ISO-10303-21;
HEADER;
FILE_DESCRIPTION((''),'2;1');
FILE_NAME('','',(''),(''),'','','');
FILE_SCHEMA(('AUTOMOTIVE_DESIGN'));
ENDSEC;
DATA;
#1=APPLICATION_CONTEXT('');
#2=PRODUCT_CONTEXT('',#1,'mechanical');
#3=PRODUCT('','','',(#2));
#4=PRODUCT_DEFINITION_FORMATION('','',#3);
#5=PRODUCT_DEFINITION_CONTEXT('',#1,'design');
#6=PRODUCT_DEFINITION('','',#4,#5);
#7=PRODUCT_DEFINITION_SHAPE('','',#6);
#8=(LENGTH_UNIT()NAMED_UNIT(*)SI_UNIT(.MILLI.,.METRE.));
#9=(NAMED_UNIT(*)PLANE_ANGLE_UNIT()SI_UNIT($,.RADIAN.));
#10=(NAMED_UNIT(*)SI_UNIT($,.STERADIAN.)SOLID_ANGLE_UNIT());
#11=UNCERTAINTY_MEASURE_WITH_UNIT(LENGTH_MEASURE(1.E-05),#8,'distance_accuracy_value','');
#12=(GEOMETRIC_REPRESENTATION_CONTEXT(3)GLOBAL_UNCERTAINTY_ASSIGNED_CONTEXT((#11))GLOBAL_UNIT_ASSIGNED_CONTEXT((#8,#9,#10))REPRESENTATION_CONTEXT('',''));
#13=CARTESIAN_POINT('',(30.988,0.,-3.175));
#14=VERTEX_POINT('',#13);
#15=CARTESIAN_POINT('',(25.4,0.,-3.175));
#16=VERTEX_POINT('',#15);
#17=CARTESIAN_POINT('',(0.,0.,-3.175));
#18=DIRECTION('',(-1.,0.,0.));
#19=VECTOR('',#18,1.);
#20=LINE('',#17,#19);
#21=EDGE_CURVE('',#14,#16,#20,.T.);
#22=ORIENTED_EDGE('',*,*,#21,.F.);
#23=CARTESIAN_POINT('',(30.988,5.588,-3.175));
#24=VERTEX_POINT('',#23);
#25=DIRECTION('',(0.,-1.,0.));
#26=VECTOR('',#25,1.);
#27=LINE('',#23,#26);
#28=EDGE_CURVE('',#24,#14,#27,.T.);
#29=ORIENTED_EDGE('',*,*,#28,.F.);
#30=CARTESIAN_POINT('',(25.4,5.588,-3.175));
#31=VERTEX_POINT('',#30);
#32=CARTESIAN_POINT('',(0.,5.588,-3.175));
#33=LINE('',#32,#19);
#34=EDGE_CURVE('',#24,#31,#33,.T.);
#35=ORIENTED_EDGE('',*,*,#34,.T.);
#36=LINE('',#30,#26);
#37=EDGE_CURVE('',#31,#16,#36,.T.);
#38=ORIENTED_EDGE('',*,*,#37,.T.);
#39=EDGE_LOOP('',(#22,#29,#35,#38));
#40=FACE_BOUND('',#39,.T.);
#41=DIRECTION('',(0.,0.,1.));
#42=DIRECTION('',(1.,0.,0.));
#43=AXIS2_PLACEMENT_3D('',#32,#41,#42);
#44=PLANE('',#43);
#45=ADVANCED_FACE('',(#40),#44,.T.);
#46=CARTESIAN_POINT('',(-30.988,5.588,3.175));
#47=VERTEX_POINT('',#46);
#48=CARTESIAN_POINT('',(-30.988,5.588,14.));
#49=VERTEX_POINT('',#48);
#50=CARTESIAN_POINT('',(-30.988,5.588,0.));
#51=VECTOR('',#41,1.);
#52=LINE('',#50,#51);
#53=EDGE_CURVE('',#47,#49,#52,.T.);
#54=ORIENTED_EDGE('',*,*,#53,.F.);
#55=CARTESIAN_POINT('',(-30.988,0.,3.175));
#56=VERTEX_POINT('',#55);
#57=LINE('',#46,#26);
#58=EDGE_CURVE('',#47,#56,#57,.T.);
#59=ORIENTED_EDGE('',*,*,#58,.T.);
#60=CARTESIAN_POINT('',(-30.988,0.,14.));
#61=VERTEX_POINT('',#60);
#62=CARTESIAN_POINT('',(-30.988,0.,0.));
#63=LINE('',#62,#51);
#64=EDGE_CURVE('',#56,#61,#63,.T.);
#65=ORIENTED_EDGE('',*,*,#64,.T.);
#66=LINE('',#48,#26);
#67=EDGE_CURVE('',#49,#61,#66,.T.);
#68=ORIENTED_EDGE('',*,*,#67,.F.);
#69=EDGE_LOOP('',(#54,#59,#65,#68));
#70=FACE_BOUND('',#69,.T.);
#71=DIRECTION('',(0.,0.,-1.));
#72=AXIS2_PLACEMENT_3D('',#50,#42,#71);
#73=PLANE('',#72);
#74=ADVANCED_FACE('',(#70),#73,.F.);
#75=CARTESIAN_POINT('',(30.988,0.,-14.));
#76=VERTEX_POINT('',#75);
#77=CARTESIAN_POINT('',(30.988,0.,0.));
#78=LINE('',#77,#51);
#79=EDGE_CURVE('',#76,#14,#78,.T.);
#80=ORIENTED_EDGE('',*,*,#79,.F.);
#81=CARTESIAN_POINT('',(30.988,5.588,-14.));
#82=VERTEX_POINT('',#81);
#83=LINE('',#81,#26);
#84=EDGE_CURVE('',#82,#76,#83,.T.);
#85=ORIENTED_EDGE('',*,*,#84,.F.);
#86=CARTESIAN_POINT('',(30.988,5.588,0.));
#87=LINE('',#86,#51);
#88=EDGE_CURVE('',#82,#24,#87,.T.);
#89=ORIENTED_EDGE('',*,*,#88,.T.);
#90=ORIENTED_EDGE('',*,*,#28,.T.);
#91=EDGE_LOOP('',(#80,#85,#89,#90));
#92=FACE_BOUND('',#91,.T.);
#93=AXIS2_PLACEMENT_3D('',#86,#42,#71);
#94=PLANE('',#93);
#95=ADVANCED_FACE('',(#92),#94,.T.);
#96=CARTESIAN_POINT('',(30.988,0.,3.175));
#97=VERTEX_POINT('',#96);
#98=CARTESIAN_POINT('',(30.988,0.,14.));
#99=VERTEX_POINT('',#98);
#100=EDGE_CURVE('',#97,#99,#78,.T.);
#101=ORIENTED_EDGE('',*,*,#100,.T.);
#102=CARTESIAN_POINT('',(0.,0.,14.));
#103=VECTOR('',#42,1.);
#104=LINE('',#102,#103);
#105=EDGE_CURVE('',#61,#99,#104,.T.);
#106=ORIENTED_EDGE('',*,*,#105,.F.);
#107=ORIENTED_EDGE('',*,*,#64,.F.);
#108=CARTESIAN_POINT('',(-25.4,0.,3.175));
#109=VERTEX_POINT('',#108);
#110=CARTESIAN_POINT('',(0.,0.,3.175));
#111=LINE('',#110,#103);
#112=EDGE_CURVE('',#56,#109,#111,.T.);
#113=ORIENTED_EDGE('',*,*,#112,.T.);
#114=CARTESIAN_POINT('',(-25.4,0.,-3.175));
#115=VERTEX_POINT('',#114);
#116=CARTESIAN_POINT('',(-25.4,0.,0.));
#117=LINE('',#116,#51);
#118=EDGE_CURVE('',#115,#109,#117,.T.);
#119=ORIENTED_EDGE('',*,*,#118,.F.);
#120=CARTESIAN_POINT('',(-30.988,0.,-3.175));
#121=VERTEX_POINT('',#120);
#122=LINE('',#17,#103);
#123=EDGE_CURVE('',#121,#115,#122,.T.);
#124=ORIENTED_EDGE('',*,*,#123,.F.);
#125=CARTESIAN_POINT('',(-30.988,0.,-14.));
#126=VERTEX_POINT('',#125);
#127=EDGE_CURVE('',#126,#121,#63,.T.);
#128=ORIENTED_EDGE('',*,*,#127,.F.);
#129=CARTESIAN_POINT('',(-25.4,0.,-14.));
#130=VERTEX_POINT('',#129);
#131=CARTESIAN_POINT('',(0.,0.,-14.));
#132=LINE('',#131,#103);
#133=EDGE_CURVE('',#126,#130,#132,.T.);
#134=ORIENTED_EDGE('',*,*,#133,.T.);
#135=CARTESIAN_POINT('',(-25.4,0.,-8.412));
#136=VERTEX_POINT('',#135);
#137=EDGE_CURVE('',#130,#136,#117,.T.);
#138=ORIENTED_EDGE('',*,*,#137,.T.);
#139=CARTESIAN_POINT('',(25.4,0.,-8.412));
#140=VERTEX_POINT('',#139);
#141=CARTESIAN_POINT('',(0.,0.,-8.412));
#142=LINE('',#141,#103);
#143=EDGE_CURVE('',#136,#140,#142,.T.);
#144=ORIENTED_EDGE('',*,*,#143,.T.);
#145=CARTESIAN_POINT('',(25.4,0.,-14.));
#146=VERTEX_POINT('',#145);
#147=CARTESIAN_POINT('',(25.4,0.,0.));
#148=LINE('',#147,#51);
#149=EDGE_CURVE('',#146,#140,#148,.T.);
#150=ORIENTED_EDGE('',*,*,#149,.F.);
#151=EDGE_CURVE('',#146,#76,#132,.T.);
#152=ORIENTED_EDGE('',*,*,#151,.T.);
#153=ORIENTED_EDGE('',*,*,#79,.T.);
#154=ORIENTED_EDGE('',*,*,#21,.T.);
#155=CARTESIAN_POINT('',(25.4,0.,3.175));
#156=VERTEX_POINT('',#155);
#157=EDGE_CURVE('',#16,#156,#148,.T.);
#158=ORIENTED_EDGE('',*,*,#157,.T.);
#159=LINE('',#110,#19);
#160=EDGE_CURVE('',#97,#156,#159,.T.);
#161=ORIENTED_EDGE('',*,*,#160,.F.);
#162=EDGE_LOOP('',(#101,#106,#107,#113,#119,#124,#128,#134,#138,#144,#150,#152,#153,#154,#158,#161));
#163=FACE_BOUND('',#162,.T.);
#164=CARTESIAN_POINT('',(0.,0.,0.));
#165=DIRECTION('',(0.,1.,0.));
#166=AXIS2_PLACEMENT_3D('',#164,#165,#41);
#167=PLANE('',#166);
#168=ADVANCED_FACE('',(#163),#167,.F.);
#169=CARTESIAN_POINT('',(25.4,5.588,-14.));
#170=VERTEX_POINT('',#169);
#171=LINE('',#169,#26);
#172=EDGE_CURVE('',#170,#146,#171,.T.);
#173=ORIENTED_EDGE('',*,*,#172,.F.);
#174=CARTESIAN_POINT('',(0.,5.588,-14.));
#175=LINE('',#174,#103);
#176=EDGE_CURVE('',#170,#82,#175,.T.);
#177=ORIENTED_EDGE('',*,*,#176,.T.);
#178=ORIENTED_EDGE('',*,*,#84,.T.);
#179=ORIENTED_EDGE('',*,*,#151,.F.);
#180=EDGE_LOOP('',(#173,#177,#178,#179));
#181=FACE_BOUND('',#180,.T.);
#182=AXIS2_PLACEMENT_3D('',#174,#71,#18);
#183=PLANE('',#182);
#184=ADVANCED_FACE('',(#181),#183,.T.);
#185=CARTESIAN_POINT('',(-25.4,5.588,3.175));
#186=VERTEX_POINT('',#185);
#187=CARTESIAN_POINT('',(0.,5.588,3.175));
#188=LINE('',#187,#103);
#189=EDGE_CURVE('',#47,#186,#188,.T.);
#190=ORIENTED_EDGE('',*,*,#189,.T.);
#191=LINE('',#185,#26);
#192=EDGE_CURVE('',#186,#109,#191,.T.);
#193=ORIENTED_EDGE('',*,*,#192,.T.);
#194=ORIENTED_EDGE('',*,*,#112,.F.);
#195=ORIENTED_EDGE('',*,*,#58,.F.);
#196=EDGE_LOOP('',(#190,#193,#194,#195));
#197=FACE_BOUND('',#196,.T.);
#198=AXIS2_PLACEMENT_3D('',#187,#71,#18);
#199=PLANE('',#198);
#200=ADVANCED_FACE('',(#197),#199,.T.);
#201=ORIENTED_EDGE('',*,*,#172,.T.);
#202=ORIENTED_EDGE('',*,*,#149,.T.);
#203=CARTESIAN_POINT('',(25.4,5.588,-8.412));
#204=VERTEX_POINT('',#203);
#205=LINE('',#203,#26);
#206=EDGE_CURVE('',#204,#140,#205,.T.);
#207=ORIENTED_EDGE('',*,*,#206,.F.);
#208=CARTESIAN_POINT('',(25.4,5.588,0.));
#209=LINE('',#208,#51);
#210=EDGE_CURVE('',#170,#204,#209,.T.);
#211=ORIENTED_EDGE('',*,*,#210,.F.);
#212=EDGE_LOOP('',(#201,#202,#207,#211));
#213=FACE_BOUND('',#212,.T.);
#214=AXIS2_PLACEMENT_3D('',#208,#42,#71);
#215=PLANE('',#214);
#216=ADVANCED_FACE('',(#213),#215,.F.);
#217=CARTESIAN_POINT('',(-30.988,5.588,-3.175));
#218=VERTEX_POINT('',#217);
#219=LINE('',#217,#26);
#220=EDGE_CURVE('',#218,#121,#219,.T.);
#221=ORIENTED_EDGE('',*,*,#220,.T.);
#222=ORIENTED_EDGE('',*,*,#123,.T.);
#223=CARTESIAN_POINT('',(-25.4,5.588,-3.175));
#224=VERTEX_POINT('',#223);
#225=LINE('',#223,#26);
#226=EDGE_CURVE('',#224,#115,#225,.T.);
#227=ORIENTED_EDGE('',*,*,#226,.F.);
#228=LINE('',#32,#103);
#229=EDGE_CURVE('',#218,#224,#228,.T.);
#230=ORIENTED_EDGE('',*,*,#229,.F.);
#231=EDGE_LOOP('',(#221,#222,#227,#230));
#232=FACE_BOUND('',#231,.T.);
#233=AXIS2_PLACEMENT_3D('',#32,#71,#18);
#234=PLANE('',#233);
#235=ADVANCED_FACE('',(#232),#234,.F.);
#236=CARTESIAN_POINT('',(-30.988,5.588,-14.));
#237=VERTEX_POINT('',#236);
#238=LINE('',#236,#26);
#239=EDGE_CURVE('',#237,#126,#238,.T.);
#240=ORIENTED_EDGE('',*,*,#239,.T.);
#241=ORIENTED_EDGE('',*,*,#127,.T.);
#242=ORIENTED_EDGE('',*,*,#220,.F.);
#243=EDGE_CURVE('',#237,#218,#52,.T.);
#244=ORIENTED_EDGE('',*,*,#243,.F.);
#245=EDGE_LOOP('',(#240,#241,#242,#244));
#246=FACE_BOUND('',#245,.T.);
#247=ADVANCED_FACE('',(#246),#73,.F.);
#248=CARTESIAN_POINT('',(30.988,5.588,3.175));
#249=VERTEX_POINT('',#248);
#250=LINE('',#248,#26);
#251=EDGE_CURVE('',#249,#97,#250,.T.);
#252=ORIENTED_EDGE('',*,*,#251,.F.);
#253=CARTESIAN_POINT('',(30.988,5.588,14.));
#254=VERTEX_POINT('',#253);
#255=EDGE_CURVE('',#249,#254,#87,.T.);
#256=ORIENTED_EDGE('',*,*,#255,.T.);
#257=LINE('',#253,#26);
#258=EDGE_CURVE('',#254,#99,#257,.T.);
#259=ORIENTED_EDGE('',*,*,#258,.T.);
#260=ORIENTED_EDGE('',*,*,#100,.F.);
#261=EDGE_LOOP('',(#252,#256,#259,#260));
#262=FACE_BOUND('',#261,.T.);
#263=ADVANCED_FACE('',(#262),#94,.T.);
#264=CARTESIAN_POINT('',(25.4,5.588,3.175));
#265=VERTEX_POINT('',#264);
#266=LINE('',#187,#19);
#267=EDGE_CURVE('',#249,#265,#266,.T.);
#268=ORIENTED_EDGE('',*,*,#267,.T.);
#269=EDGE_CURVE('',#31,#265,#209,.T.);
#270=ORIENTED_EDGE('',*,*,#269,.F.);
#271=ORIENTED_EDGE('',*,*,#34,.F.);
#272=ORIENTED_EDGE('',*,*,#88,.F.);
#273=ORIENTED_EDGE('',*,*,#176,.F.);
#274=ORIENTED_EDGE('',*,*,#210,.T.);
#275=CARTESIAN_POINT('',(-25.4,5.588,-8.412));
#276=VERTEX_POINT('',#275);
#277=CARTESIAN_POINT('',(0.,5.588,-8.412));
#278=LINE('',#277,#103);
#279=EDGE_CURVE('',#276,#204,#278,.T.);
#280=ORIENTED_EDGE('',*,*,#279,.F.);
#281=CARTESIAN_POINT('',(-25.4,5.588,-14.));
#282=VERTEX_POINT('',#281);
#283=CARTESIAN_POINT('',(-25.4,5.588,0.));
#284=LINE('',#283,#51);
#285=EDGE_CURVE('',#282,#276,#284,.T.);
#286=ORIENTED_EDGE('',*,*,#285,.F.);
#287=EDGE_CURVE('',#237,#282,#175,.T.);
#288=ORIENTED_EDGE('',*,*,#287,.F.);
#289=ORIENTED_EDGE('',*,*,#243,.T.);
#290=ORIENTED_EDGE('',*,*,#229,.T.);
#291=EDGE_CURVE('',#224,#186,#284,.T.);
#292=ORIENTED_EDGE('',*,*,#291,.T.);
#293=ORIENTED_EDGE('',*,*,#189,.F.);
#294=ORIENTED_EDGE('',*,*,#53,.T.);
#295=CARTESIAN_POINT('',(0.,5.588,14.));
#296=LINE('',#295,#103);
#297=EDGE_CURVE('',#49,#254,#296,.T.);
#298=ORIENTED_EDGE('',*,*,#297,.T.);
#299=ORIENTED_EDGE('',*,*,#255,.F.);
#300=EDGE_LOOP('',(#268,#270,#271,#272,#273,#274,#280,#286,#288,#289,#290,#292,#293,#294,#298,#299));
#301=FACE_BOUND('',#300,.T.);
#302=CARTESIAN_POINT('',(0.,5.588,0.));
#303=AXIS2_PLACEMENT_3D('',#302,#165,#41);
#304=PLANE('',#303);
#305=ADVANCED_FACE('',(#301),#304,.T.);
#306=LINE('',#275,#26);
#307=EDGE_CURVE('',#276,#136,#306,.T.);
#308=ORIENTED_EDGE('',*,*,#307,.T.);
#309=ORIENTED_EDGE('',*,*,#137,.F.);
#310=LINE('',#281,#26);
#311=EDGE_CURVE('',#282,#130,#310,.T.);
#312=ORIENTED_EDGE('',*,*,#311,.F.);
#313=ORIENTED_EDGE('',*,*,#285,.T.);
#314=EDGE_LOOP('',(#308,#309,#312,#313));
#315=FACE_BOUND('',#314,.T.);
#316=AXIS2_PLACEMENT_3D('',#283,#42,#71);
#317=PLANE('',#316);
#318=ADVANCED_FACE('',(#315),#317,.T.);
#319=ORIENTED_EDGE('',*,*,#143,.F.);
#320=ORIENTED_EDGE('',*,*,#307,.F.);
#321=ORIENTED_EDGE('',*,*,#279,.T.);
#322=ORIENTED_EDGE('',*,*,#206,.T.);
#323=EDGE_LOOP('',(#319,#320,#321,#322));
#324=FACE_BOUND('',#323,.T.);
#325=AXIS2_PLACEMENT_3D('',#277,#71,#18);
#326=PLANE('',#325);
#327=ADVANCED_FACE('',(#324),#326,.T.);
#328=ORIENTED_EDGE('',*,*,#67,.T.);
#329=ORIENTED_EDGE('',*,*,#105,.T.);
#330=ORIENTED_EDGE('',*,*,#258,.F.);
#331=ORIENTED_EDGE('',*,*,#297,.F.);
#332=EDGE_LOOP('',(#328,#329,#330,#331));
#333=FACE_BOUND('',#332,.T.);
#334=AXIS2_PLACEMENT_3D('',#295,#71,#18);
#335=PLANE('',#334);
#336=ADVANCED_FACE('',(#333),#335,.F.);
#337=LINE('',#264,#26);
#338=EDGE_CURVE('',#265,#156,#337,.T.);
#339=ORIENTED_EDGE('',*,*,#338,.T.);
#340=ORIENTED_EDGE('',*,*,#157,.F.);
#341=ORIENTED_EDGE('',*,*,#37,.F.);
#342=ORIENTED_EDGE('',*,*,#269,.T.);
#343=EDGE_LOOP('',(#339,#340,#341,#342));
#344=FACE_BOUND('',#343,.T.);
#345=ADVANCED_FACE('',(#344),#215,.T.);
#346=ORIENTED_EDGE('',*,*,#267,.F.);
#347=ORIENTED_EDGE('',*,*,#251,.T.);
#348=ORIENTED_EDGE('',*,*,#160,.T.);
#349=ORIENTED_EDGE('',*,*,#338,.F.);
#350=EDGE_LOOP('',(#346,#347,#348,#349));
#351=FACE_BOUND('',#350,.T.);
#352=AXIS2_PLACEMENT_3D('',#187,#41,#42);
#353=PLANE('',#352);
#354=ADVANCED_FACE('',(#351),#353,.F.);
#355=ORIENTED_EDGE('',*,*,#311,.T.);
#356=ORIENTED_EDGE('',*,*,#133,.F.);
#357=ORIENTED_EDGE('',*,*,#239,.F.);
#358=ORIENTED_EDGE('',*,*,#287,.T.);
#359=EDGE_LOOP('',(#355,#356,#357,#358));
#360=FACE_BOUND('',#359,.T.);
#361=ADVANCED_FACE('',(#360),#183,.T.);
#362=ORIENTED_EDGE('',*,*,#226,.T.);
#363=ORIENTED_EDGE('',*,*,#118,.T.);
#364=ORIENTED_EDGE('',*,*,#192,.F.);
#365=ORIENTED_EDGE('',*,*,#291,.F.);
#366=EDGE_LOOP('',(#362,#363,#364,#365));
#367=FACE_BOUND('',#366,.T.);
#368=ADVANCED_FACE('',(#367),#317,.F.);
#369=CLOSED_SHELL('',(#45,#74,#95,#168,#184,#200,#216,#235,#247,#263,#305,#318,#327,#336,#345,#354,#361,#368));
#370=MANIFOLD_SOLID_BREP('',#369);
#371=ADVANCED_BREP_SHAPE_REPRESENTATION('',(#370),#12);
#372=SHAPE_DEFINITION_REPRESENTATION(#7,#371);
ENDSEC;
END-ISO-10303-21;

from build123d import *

# Parameters (mm, degrees)
BOSS_EXTRUDE1_DEPTH = 5.588


with BuildPart() as part:
    # Sketch1 → Boss-Extrude1 (new body)
    with BuildSketch(Plane(origin=(0, 0, 0), x_dir=(1, 0, 0), z_dir=(0, 1, 0))):
        Polygon((-25.4, 14), (-30.988, 14), (-30.988, 3.175), (-25.4, 3.175), (-25.4, -3.175), (-30.988, -3.175), (-30.988, -14), (30.988, -14), (30.988, -3.175), (25.4, -3.175), (25.4, 3.175), (30.988, 3.175), (30.988, 14), (25.4, 14), (25.4, 8.412), (-25.4, 8.412), align=None)
    extrude(amount=BOSS_EXTRUDE1_DEPTH)


solid = part.part
